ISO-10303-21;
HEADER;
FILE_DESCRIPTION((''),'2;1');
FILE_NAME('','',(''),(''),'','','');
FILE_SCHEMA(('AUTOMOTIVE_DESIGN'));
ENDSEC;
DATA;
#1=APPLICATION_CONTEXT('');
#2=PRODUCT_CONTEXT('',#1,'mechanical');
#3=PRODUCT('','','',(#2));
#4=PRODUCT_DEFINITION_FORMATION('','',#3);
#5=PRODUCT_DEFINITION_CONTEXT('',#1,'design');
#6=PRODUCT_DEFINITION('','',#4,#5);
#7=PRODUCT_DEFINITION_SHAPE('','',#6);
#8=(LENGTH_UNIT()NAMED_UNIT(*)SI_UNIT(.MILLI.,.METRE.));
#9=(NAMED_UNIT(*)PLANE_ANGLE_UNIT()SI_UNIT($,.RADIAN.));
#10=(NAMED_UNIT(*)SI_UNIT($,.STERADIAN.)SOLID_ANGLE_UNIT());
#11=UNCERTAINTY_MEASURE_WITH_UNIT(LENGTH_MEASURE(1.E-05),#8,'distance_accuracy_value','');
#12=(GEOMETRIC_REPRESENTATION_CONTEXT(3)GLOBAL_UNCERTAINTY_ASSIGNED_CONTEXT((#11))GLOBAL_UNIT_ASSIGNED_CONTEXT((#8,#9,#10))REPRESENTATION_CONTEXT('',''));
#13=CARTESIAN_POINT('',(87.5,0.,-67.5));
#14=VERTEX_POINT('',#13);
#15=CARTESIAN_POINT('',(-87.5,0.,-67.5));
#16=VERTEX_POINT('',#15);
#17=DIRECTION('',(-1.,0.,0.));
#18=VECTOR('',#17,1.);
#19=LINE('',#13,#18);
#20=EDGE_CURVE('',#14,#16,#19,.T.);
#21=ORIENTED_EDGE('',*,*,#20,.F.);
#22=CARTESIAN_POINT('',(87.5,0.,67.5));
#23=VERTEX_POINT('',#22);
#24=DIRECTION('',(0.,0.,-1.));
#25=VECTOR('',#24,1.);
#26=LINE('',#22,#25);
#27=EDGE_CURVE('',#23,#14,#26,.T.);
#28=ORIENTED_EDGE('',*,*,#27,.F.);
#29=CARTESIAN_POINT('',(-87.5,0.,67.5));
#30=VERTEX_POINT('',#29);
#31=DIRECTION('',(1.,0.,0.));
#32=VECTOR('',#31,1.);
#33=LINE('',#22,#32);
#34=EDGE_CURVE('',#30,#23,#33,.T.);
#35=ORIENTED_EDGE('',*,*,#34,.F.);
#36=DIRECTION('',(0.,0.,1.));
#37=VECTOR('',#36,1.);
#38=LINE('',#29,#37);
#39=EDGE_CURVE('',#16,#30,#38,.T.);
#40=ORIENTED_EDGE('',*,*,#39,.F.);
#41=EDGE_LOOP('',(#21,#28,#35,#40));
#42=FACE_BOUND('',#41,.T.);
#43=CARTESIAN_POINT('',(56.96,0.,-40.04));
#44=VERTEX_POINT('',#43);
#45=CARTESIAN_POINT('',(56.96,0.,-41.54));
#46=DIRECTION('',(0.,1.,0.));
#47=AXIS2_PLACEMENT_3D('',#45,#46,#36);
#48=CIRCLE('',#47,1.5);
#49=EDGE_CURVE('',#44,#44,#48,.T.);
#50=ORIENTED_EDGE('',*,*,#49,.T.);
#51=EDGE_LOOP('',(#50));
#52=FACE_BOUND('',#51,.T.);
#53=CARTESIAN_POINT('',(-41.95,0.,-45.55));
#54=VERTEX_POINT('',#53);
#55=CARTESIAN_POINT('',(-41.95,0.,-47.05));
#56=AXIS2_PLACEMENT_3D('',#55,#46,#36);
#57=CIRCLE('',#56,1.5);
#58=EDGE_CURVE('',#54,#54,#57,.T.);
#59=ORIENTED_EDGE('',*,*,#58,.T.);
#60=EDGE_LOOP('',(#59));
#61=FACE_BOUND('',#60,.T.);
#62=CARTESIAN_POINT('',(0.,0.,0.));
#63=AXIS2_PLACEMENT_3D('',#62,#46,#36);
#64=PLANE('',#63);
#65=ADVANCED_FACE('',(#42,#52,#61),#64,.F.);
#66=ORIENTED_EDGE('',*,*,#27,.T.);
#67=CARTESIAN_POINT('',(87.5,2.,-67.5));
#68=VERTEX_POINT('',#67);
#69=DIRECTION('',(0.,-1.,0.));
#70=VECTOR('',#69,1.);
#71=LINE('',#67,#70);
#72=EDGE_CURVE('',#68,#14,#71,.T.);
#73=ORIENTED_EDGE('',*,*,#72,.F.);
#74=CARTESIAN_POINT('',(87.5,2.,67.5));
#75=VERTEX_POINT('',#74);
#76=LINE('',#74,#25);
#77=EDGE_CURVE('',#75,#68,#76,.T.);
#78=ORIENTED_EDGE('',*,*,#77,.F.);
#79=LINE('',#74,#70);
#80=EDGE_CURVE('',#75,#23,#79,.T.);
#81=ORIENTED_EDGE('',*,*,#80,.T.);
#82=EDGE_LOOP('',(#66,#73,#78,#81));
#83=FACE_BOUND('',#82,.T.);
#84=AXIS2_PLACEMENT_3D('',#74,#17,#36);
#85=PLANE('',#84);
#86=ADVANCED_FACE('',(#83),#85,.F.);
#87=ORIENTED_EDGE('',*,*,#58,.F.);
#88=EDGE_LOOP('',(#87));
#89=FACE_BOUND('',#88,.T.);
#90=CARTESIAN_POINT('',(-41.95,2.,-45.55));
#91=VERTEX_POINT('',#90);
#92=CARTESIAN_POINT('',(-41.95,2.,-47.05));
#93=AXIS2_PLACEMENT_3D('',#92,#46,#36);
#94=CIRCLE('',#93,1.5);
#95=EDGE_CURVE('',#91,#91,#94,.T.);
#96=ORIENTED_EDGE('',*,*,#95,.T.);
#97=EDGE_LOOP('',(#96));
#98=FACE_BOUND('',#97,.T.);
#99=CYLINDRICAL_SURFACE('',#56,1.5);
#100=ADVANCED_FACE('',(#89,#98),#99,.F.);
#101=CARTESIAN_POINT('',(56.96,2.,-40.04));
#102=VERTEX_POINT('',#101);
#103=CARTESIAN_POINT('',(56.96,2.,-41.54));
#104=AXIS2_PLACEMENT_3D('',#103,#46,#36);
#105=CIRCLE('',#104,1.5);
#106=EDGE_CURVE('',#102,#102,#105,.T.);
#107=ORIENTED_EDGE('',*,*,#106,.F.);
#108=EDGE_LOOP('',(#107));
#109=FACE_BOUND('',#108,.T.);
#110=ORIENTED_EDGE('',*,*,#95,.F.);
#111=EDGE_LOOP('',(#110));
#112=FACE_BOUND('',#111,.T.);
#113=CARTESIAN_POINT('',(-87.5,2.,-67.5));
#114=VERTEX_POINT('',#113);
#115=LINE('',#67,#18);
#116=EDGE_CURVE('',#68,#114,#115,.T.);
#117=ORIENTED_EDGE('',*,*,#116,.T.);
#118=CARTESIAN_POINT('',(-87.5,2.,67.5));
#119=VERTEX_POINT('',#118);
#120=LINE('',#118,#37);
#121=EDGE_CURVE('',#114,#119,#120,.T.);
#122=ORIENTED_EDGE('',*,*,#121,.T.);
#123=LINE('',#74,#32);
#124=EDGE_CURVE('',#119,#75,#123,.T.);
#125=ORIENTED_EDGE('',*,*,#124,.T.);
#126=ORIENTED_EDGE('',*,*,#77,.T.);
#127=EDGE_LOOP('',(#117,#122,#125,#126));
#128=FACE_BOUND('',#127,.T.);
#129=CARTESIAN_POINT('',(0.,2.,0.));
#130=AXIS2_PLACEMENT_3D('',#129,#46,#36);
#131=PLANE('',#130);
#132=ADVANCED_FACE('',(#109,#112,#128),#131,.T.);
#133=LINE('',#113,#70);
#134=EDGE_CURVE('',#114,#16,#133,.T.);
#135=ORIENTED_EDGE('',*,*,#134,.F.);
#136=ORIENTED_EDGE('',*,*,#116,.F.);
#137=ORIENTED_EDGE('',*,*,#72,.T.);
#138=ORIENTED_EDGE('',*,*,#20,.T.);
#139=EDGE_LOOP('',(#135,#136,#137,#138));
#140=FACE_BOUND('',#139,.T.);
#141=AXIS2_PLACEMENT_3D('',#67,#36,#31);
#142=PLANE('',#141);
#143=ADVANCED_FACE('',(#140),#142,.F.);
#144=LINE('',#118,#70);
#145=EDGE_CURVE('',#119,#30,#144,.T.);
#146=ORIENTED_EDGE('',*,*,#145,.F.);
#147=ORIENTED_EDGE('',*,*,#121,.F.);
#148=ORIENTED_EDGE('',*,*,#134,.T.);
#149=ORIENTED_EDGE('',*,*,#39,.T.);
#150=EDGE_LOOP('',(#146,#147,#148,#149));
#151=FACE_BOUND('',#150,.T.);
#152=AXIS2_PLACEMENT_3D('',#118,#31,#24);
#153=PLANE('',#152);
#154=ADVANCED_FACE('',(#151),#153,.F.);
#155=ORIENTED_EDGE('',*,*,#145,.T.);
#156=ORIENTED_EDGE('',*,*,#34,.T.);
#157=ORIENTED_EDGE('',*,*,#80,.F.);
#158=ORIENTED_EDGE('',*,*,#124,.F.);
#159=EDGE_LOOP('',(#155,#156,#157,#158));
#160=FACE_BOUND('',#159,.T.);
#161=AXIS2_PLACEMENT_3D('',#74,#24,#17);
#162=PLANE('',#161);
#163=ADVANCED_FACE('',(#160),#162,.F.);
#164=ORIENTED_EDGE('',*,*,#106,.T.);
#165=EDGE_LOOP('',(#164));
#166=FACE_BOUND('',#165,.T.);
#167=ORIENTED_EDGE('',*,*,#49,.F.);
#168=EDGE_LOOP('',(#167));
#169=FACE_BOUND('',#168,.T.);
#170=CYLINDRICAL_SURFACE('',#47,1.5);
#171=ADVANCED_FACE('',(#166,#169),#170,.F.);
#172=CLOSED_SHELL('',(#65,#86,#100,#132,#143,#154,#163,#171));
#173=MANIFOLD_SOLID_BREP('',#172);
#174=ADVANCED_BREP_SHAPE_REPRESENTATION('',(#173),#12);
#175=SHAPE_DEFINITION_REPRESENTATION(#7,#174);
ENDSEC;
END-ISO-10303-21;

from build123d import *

# Parameters (mm, degrees)
SKETCH1_W           = 175
SKETCH1_H           = 135
BOSS_EXTRUDE1_DEPTH = 2
SKETCH3_R           = 1.5
CUT_EXTRUDE1_DEPTH  = 111.528276925


with BuildPart() as part:
    # Sketch1 → Boss-Extrude1 (new body)
    with BuildSketch(Plane(origin=(0, 0, 0), x_dir=(1, 0, 0), z_dir=(0, 1, 0))):
        Rectangle(SKETCH1_W, SKETCH1_H)
    extrude(amount=BOSS_EXTRUDE1_DEPTH)

    # Sketch3 → Cut-Extrude1 (cut, through all)
    with BuildSketch(Plane(origin=(0, 2, 0), x_dir=(1, 0, 0), z_dir=(0, 1, 0))):
        with Locations(Location((-41.95, 47.05, 0), (0, 0, 270))):
            Circle(SKETCH3_R)
        with Locations(Location((56.96, 41.54, 0), (0, 0, 270))):
            Circle(SKETCH3_R)
    extrude(amount=-CUT_EXTRUDE1_DEPTH, mode=Mode.SUBTRACT)


solid = part.part
